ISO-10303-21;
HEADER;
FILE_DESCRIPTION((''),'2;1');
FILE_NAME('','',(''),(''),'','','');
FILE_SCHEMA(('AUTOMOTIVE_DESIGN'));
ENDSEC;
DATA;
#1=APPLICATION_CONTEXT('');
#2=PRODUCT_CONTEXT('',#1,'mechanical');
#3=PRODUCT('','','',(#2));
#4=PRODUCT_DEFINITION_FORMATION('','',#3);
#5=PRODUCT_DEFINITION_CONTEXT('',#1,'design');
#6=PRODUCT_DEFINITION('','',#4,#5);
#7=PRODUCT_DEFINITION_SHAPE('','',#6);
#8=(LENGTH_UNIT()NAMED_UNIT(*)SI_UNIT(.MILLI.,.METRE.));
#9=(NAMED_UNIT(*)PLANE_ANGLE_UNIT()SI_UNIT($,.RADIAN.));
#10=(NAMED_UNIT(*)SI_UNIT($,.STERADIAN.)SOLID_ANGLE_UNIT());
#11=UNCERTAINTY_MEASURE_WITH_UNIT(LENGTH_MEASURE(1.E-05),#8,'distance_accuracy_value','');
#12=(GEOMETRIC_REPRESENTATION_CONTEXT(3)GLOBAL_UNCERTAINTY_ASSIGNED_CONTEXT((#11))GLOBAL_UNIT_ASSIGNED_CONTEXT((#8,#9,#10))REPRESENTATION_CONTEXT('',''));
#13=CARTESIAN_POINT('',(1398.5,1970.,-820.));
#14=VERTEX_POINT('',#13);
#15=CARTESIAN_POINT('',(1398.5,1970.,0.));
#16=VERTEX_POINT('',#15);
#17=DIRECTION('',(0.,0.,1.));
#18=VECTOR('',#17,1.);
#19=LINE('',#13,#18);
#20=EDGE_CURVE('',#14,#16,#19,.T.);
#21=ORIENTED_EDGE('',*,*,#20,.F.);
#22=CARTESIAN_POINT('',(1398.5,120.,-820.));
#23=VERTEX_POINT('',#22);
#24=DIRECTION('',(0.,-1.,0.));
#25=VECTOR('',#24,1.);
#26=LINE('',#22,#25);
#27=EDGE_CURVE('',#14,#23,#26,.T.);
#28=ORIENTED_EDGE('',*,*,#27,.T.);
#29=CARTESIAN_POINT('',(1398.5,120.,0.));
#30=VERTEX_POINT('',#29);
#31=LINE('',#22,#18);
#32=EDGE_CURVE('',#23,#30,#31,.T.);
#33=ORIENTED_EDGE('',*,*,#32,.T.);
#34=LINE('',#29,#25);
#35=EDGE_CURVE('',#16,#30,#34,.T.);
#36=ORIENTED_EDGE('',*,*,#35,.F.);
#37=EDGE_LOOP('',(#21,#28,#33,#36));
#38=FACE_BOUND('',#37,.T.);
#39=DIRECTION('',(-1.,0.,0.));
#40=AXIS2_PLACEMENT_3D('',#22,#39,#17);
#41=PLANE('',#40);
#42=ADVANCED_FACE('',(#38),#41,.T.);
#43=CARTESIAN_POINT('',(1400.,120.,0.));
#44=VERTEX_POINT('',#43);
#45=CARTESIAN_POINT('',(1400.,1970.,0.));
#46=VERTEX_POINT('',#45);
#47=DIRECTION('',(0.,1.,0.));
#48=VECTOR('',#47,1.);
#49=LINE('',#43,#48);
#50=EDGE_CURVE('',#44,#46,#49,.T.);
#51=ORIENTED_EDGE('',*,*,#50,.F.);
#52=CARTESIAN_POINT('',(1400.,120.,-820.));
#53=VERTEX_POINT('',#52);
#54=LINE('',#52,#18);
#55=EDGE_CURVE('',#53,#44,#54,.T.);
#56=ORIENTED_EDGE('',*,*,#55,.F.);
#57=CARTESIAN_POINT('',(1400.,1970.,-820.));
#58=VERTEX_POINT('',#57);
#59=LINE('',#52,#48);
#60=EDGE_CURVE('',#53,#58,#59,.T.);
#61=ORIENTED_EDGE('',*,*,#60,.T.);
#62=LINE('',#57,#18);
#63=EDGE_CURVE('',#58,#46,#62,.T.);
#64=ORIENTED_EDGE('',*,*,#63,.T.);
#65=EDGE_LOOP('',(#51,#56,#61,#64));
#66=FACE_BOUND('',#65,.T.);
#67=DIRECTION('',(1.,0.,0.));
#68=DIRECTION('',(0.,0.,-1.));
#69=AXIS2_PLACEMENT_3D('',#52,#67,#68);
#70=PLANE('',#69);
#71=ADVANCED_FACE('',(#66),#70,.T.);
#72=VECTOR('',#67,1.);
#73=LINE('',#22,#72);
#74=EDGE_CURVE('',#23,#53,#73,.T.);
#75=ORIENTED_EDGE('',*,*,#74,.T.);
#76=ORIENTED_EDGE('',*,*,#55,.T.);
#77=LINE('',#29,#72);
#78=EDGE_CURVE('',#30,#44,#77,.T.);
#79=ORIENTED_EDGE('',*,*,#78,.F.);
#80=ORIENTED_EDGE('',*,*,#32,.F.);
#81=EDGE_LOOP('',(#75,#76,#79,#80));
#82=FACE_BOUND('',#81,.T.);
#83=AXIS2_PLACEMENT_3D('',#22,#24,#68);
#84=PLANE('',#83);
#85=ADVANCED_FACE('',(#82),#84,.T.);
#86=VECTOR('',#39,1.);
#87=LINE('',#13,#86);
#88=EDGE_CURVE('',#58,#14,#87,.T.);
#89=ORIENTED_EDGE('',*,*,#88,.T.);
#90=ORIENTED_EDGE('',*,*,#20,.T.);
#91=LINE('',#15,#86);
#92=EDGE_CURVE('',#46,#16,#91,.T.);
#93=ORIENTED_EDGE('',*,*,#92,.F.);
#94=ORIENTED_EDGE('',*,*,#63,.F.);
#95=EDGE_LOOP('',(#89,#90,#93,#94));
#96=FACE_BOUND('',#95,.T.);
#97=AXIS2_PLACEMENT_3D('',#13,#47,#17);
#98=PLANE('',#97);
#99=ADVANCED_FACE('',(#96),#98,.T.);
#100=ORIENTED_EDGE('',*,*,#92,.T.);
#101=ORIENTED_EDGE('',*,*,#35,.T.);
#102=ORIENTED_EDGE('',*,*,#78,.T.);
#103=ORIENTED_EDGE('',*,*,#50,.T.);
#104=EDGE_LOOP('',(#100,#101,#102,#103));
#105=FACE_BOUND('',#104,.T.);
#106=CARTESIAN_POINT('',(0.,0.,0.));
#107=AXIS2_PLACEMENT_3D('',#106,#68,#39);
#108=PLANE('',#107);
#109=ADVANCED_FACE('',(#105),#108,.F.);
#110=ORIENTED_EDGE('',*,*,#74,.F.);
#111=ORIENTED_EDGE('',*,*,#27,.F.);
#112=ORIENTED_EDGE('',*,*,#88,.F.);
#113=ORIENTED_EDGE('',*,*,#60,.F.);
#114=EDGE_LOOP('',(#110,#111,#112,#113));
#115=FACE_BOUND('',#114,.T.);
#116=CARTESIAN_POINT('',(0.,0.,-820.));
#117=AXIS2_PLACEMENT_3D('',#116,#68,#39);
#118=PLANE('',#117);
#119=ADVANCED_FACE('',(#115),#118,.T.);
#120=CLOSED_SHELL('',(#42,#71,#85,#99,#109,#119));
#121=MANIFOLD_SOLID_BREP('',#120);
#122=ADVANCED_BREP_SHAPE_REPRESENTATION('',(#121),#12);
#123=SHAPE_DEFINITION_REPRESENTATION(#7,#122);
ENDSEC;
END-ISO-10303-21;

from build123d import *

# Parameters (mm, degrees)
SKETCH1_W                 = 1.5
SKETCH1_H                 = 1850
STORE_DIS_YAN_SAG_1_DEPTH = 820


with BuildPart() as part:
    # Sketch1 → STORE_dis_yan_sag_1 (new body)
    with BuildSketch(Plane.XY):
        with Locations((1399.25, 1045)):
            Rectangle(SKETCH1_W, SKETCH1_H)
    extrude(amount=-STORE_DIS_YAN_SAG_1_DEPTH)


solid = part.part
